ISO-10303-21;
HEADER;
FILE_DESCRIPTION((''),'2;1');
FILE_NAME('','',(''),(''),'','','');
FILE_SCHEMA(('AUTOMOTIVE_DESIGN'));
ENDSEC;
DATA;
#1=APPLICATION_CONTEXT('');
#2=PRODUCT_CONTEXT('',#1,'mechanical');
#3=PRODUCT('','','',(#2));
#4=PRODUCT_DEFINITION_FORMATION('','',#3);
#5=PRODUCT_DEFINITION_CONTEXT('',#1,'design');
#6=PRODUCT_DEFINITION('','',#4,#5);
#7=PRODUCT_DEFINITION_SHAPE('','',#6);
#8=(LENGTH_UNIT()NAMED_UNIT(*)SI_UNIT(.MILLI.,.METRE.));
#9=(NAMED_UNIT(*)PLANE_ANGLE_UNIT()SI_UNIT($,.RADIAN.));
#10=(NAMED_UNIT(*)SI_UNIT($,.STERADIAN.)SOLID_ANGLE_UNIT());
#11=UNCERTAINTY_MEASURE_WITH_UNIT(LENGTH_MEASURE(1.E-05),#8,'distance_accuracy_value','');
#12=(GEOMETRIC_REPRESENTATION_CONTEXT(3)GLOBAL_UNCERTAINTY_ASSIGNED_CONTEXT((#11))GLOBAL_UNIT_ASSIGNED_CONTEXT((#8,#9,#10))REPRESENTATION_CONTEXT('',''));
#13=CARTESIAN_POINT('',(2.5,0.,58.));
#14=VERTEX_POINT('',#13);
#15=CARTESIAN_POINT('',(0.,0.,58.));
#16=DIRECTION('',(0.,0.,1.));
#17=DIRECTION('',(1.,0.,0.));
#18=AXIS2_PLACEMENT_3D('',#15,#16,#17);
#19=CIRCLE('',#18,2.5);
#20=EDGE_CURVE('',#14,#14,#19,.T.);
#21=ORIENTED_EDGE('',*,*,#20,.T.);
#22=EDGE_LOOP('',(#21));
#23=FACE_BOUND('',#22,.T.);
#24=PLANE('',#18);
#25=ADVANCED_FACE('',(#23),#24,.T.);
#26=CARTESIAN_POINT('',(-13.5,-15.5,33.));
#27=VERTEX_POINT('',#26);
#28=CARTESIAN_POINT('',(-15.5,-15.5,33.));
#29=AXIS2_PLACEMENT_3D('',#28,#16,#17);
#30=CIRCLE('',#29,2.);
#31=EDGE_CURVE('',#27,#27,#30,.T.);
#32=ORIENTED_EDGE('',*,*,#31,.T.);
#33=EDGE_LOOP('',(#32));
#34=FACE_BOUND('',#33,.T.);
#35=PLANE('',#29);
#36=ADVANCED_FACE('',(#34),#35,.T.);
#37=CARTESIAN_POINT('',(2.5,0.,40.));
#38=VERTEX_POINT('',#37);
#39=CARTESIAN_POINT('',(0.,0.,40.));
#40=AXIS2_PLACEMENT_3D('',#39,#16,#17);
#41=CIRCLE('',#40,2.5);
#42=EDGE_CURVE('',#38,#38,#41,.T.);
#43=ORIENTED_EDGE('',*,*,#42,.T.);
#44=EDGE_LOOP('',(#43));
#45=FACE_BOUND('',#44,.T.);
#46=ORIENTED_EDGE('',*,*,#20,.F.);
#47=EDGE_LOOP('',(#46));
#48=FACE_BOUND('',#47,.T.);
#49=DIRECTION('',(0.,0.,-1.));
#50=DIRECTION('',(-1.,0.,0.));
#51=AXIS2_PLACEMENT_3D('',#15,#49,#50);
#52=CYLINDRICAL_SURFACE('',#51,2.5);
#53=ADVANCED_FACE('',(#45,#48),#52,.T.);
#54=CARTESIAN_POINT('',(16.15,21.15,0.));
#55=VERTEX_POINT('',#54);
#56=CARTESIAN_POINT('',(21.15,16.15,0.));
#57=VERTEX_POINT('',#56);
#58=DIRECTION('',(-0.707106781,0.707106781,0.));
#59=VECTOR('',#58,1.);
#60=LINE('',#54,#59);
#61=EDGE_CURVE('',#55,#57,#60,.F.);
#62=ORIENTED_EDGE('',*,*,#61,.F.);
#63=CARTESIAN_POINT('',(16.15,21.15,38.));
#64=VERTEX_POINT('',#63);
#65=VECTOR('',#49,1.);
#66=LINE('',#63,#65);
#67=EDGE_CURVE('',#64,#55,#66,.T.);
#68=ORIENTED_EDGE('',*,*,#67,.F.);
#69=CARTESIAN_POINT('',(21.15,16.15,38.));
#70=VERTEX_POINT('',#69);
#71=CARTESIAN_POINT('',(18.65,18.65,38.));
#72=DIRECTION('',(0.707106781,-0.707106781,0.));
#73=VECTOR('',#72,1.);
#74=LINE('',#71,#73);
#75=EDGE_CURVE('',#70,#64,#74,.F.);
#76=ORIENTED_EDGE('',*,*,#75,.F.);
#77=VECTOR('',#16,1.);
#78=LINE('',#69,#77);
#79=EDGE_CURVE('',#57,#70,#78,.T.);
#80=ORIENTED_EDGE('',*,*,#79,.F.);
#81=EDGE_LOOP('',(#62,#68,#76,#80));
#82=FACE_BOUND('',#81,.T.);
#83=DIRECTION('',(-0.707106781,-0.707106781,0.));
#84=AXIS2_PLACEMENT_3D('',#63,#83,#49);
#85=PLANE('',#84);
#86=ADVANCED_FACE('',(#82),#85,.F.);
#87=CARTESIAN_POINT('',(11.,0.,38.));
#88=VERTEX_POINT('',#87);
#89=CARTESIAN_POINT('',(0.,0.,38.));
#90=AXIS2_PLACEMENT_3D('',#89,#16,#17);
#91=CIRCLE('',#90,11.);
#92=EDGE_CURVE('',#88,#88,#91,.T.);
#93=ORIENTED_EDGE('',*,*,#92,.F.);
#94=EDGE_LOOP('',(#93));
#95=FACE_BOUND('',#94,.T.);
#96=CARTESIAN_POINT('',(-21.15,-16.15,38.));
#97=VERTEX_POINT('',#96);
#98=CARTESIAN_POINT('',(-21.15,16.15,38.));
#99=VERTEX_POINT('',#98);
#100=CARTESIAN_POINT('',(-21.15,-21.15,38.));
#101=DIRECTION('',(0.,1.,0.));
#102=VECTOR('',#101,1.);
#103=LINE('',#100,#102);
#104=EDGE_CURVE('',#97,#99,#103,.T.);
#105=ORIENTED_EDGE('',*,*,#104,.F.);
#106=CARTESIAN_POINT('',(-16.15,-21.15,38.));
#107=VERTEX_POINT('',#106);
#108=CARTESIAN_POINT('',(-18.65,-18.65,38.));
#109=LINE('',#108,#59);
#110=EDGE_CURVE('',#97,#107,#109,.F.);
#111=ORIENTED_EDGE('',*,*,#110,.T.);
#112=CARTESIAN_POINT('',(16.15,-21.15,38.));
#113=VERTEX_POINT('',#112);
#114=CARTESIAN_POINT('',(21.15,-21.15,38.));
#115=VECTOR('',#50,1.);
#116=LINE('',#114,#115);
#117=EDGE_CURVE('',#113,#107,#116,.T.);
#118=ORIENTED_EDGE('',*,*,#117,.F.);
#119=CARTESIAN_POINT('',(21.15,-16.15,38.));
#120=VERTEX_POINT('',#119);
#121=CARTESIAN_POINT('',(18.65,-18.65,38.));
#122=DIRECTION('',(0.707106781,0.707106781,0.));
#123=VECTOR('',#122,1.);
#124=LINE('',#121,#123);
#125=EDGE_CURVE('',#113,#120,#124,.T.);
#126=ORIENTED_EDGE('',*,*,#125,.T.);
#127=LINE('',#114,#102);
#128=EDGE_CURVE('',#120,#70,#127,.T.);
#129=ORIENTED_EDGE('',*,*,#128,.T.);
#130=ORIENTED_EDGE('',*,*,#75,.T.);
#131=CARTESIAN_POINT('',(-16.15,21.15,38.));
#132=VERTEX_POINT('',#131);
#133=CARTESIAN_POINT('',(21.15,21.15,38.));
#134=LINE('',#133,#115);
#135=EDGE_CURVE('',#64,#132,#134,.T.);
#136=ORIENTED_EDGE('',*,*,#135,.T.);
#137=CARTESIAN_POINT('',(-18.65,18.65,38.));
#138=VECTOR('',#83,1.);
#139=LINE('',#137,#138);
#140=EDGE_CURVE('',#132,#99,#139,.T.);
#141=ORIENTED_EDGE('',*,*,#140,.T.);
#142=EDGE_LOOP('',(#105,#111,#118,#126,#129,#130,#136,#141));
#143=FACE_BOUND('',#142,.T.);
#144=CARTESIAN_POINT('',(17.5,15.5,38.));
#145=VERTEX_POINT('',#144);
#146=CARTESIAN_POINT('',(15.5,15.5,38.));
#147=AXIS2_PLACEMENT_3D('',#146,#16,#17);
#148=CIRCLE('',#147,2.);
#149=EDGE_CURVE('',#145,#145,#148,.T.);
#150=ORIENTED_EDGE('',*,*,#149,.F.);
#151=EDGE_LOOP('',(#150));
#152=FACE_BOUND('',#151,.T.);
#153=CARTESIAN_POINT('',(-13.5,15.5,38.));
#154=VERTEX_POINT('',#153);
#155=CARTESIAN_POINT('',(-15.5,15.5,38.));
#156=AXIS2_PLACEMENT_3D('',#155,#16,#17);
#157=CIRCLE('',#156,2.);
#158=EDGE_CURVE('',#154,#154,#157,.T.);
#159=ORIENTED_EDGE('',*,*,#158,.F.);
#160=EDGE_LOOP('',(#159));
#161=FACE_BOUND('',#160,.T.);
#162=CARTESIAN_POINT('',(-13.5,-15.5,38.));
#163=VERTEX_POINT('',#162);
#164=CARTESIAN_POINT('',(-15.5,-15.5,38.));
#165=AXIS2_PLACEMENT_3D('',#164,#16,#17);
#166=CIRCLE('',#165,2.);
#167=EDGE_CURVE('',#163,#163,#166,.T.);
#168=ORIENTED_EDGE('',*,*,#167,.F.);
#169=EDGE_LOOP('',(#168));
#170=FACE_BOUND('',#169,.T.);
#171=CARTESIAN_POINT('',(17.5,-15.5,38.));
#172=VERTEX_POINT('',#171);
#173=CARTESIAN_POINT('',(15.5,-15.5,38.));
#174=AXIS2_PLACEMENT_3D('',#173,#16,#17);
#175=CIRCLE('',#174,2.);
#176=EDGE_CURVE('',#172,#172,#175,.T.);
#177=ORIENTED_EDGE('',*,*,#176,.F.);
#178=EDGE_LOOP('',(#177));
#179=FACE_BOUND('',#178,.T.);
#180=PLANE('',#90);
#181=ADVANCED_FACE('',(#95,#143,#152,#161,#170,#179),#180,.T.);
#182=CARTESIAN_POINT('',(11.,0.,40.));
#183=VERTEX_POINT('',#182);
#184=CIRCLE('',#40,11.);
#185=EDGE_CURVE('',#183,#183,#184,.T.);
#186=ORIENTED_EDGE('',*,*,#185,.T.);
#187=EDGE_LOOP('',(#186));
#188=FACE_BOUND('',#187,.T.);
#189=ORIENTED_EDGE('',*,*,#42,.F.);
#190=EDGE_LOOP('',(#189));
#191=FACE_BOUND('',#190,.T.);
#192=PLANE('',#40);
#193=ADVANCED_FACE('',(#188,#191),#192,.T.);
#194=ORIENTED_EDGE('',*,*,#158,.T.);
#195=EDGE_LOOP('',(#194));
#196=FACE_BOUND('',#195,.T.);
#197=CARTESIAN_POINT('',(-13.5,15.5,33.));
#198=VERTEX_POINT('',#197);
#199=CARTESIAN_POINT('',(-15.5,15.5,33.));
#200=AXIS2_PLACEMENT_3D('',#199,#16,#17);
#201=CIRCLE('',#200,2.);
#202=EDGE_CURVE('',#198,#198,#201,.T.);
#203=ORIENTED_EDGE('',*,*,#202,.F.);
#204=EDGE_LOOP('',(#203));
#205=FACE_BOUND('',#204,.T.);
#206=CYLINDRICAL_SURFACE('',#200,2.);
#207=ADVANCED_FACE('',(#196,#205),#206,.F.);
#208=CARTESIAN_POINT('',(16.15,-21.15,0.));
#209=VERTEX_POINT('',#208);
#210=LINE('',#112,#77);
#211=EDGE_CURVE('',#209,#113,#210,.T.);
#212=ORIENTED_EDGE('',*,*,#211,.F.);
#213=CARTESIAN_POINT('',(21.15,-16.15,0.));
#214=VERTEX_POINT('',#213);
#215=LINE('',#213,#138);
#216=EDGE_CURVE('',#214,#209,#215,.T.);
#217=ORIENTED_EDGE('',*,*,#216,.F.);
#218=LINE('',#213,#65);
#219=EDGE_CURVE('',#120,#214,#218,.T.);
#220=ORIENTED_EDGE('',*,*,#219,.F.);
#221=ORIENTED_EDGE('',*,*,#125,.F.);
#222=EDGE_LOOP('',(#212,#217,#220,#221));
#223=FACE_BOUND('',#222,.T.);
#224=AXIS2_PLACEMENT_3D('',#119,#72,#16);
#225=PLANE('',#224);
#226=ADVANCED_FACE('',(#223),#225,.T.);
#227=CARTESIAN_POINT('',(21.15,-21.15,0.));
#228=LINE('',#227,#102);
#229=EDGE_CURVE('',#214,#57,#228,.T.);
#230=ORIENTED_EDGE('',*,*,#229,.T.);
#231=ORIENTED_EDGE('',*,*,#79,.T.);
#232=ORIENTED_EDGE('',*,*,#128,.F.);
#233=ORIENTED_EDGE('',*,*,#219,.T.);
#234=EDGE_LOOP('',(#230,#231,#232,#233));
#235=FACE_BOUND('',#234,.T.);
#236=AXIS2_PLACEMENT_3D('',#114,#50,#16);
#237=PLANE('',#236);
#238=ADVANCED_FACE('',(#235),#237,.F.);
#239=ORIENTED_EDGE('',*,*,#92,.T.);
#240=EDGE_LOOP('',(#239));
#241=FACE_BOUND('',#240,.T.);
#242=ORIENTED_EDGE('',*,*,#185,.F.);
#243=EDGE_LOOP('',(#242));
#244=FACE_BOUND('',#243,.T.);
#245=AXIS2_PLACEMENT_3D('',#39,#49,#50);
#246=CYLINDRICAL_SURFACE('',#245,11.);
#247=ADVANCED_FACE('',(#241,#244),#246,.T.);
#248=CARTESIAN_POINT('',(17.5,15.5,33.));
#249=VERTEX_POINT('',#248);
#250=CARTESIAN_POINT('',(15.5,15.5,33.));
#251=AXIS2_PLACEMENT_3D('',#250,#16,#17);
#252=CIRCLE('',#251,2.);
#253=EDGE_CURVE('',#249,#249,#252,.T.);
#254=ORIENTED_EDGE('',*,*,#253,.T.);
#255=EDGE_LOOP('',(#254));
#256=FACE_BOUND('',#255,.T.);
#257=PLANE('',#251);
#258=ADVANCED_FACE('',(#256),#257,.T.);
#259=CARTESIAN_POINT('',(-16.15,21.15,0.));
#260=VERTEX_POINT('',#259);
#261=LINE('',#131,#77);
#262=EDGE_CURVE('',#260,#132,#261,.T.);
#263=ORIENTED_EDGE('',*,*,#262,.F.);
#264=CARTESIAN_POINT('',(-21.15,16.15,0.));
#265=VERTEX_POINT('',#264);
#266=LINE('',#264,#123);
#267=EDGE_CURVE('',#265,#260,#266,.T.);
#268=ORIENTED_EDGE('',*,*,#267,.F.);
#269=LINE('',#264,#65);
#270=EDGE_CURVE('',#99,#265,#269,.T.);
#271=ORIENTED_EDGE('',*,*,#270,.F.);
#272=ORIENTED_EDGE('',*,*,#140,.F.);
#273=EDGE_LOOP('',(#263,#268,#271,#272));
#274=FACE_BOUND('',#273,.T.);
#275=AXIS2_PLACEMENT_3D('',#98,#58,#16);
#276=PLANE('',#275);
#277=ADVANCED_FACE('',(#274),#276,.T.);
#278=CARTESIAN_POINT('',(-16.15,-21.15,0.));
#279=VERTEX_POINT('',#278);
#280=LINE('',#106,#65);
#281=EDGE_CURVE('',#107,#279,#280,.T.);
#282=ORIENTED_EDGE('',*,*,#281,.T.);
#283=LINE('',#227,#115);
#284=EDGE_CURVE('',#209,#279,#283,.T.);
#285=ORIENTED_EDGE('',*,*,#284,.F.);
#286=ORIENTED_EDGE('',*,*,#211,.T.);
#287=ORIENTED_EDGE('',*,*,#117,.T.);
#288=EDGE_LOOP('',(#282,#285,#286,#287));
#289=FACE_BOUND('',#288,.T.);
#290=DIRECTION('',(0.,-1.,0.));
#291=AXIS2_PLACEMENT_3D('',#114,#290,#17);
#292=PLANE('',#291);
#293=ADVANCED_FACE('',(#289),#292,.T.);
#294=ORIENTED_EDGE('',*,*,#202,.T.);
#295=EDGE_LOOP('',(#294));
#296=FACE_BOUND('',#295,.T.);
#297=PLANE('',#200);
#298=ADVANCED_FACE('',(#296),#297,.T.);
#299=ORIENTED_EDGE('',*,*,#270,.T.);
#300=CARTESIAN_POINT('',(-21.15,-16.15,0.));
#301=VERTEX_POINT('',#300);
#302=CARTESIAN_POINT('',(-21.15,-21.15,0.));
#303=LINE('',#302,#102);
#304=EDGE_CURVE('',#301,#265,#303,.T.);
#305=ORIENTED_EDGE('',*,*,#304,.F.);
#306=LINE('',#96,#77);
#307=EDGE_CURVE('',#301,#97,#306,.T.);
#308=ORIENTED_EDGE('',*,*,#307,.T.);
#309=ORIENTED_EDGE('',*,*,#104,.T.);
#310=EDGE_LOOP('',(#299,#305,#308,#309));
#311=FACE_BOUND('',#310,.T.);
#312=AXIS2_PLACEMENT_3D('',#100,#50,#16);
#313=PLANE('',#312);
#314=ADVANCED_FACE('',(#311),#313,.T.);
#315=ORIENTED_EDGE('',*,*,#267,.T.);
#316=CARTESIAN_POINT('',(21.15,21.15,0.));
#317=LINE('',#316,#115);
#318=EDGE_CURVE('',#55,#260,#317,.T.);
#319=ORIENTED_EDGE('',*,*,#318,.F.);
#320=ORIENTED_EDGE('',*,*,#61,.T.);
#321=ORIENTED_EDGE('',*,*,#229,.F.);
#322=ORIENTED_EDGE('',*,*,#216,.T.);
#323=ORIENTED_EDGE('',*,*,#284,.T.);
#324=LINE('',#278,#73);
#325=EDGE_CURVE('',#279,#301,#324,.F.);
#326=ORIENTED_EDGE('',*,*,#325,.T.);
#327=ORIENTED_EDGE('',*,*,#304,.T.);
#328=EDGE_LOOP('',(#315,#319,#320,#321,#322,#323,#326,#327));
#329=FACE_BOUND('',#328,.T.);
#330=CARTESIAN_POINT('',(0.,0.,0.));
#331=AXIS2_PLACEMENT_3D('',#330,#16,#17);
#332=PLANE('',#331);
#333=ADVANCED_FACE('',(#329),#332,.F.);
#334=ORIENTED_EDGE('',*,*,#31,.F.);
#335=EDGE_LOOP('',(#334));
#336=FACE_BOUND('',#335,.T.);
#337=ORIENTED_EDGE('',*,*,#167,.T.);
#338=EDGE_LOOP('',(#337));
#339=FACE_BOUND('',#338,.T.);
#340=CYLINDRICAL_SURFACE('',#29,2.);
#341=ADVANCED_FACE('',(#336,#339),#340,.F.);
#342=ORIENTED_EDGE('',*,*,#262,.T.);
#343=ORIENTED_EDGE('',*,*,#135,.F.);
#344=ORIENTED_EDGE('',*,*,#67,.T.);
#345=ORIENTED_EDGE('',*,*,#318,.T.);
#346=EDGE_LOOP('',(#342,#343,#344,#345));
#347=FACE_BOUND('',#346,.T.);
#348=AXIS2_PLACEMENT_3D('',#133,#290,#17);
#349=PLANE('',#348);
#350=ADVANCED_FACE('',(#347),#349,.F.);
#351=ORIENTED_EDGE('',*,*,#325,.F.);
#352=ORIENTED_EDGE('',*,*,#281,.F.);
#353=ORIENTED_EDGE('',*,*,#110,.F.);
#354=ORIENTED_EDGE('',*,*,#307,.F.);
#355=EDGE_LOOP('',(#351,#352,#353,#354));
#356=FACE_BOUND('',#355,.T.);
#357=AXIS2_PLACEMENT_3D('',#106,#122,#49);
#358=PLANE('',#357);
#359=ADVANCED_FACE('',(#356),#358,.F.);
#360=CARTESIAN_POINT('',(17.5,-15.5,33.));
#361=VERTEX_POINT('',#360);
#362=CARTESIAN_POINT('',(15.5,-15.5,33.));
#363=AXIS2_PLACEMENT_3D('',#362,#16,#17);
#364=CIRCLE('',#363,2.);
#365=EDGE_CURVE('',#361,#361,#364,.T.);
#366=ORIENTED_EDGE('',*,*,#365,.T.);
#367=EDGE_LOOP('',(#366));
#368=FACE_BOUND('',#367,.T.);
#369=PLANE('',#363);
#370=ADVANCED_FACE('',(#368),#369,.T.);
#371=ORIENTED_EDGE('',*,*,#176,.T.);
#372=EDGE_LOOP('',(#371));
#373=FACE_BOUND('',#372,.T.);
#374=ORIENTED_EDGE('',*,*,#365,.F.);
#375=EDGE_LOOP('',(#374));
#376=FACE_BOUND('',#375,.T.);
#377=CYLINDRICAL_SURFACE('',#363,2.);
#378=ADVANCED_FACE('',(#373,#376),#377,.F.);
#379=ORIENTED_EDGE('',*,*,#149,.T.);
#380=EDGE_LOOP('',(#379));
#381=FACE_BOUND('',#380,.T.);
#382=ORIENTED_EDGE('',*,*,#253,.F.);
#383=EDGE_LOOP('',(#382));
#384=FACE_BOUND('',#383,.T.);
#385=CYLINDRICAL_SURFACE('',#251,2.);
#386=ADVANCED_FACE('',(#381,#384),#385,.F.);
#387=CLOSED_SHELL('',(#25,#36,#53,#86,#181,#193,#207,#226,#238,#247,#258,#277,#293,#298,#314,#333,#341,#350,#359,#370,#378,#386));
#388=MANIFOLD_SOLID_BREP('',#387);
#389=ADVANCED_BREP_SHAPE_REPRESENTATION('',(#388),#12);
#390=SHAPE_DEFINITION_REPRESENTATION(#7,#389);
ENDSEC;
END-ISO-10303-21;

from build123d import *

# Parameters (mm, degrees)
IZIM1_W                     = 42.3
IZIM1_H                     = 42.3
Y_KSEKLIK_EKSTR_ZYON1_DEPTH = 38
PAH1_SIZE                   = 5
IZIM2_R                     = 2
KES_EKSTR_ZYON1_DEPTH       = 5
IZIM3_R                     = 11
Y_KSEKLIK_EKSTR_ZYON2_DEPTH = 2
IZIM4_R                     = 2.5
Y_KSEKLIK_EKSTR_ZYON3_DEPTH = 18


with BuildPart() as part:
    # Çizim1 → Yükseklik-Ekstrüzyon1 (new body)
    with BuildSketch(Plane.XY):
        Rectangle(IZIM1_W, IZIM1_H)
    extrude(amount=Y_KSEKLIK_EKSTR_ZYON1_DEPTH)

    # Pah1
    pah1_edges = [part.edges().sort_by_distance(p)[0] for p in [
        (21.15, -21.15, 19),
        (-21.15, -21.15, 19),
        (-21.15, 21.15, 19),
        (21.15, 21.15, 19),
    ]]
    chamfer(pah1_edges, length=PAH1_SIZE)

    # Çizim2 → Kes-Ekstrüzyon1 (cut)
    with BuildSketch(Plane.XY.offset(38)):
        with Locations((-15.5, 15.5)):
            Circle(IZIM2_R)
        with Locations((15.5, 15.5)):
            Circle(IZIM2_R)
        with Locations((-15.5, -15.5)):
            Circle(IZIM2_R)
        with Locations((15.5, -15.5)):
            Circle(IZIM2_R)
    extrude(amount=-KES_EKSTR_ZYON1_DEPTH, mode=Mode.SUBTRACT)

    # Çizim3 → Yükseklik-Ekstrüzyon2 (add)
    with BuildSketch(Plane.XY.offset(38)):
        Circle(IZIM3_R)
    extrude(amount=Y_KSEKLIK_EKSTR_ZYON2_DEPTH)

    # Çizim4 → Yükseklik-Ekstrüzyon3 (add)
    with BuildSketch(Plane.XY.offset(40)):
        Circle(IZIM4_R)
    extrude(amount=Y_KSEKLIK_EKSTR_ZYON3_DEPTH)


solid = part.part
